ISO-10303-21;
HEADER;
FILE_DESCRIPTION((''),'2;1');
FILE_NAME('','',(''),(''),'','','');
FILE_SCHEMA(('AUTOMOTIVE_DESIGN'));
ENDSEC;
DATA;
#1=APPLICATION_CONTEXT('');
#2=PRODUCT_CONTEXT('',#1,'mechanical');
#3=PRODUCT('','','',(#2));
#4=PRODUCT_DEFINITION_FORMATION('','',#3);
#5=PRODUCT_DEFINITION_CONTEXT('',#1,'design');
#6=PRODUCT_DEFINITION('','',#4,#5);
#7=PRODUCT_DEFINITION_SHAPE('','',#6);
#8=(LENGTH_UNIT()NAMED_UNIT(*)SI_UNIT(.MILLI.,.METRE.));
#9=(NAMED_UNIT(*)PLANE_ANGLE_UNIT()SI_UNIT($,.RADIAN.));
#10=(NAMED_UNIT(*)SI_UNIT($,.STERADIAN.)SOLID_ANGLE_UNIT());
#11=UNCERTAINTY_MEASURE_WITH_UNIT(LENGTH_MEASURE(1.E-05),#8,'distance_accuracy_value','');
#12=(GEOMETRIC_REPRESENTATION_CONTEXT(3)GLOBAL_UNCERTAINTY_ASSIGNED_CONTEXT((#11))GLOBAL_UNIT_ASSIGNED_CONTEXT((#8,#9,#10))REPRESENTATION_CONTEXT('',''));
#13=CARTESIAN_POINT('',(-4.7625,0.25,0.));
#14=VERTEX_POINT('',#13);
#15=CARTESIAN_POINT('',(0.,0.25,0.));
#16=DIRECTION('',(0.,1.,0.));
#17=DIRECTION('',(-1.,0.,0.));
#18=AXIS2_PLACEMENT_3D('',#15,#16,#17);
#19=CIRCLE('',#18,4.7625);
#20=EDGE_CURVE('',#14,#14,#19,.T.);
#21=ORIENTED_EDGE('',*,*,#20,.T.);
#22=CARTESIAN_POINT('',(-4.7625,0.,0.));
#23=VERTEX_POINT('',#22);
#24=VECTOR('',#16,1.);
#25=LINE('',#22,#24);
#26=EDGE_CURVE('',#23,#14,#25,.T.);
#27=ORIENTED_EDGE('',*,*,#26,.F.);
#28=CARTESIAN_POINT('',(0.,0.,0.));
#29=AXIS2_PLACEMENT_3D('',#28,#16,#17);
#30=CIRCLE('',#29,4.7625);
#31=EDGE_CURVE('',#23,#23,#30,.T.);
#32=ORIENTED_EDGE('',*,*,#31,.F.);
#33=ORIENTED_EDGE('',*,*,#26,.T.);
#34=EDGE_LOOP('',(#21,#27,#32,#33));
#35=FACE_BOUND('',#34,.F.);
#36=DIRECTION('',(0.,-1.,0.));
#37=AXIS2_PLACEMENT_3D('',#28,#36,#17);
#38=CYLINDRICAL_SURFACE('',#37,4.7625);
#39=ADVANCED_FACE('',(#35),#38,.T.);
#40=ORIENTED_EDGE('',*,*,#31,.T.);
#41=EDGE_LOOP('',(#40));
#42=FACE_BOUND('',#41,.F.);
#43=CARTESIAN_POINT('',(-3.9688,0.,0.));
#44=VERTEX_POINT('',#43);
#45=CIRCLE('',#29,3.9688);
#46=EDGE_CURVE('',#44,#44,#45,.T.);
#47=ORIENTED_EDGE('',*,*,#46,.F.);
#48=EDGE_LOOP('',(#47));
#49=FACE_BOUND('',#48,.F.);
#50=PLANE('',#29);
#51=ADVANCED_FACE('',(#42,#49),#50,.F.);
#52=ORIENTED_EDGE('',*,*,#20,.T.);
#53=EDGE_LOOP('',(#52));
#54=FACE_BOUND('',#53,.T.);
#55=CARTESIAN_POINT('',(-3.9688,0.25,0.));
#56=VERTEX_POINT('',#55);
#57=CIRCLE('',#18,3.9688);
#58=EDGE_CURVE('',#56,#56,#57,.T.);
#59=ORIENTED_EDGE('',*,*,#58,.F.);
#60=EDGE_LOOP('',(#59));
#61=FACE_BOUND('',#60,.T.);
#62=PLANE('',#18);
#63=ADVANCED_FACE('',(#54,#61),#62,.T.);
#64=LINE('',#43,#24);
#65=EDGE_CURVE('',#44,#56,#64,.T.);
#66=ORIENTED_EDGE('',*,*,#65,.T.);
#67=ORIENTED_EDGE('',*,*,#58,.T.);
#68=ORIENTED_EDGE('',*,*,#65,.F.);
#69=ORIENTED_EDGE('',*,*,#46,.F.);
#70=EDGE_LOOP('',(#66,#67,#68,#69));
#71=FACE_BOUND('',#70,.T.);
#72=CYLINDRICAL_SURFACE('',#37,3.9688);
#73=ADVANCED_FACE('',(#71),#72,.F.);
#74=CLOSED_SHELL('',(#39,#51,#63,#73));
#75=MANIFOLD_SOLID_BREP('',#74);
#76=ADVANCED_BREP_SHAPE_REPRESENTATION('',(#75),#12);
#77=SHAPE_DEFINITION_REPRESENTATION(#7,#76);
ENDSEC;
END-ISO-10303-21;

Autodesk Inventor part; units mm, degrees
ref_plane "YZ Plane" through (0, 0, 0) normal (1, 0, 0) x (0, 1, 0)
ref_plane "XZ Plane" through (0, 0, 0) normal (0, 1, 0) x (-1, 0, 0)
ref_plane "XY Plane" through (0, 0, 0) normal (0, 0, 1) x (1, 0, 0)
sketch "Sketch1" plane through (0, 0, 0) normal (0, 1, 0) x (-1, 0, 0)
  circle A0 centre (0, 0) radius 4.7625
  circle A1 centre (0, 0) radius 3.9688
  dimension "d0" = 9.525
  dimension "d1" = 7.9375
extrude "Extrusion1" add sketch "Sketch1" along normal blind 0.25
properties part number "rp-sma_washer" material "Brass, Soft Yellow"
